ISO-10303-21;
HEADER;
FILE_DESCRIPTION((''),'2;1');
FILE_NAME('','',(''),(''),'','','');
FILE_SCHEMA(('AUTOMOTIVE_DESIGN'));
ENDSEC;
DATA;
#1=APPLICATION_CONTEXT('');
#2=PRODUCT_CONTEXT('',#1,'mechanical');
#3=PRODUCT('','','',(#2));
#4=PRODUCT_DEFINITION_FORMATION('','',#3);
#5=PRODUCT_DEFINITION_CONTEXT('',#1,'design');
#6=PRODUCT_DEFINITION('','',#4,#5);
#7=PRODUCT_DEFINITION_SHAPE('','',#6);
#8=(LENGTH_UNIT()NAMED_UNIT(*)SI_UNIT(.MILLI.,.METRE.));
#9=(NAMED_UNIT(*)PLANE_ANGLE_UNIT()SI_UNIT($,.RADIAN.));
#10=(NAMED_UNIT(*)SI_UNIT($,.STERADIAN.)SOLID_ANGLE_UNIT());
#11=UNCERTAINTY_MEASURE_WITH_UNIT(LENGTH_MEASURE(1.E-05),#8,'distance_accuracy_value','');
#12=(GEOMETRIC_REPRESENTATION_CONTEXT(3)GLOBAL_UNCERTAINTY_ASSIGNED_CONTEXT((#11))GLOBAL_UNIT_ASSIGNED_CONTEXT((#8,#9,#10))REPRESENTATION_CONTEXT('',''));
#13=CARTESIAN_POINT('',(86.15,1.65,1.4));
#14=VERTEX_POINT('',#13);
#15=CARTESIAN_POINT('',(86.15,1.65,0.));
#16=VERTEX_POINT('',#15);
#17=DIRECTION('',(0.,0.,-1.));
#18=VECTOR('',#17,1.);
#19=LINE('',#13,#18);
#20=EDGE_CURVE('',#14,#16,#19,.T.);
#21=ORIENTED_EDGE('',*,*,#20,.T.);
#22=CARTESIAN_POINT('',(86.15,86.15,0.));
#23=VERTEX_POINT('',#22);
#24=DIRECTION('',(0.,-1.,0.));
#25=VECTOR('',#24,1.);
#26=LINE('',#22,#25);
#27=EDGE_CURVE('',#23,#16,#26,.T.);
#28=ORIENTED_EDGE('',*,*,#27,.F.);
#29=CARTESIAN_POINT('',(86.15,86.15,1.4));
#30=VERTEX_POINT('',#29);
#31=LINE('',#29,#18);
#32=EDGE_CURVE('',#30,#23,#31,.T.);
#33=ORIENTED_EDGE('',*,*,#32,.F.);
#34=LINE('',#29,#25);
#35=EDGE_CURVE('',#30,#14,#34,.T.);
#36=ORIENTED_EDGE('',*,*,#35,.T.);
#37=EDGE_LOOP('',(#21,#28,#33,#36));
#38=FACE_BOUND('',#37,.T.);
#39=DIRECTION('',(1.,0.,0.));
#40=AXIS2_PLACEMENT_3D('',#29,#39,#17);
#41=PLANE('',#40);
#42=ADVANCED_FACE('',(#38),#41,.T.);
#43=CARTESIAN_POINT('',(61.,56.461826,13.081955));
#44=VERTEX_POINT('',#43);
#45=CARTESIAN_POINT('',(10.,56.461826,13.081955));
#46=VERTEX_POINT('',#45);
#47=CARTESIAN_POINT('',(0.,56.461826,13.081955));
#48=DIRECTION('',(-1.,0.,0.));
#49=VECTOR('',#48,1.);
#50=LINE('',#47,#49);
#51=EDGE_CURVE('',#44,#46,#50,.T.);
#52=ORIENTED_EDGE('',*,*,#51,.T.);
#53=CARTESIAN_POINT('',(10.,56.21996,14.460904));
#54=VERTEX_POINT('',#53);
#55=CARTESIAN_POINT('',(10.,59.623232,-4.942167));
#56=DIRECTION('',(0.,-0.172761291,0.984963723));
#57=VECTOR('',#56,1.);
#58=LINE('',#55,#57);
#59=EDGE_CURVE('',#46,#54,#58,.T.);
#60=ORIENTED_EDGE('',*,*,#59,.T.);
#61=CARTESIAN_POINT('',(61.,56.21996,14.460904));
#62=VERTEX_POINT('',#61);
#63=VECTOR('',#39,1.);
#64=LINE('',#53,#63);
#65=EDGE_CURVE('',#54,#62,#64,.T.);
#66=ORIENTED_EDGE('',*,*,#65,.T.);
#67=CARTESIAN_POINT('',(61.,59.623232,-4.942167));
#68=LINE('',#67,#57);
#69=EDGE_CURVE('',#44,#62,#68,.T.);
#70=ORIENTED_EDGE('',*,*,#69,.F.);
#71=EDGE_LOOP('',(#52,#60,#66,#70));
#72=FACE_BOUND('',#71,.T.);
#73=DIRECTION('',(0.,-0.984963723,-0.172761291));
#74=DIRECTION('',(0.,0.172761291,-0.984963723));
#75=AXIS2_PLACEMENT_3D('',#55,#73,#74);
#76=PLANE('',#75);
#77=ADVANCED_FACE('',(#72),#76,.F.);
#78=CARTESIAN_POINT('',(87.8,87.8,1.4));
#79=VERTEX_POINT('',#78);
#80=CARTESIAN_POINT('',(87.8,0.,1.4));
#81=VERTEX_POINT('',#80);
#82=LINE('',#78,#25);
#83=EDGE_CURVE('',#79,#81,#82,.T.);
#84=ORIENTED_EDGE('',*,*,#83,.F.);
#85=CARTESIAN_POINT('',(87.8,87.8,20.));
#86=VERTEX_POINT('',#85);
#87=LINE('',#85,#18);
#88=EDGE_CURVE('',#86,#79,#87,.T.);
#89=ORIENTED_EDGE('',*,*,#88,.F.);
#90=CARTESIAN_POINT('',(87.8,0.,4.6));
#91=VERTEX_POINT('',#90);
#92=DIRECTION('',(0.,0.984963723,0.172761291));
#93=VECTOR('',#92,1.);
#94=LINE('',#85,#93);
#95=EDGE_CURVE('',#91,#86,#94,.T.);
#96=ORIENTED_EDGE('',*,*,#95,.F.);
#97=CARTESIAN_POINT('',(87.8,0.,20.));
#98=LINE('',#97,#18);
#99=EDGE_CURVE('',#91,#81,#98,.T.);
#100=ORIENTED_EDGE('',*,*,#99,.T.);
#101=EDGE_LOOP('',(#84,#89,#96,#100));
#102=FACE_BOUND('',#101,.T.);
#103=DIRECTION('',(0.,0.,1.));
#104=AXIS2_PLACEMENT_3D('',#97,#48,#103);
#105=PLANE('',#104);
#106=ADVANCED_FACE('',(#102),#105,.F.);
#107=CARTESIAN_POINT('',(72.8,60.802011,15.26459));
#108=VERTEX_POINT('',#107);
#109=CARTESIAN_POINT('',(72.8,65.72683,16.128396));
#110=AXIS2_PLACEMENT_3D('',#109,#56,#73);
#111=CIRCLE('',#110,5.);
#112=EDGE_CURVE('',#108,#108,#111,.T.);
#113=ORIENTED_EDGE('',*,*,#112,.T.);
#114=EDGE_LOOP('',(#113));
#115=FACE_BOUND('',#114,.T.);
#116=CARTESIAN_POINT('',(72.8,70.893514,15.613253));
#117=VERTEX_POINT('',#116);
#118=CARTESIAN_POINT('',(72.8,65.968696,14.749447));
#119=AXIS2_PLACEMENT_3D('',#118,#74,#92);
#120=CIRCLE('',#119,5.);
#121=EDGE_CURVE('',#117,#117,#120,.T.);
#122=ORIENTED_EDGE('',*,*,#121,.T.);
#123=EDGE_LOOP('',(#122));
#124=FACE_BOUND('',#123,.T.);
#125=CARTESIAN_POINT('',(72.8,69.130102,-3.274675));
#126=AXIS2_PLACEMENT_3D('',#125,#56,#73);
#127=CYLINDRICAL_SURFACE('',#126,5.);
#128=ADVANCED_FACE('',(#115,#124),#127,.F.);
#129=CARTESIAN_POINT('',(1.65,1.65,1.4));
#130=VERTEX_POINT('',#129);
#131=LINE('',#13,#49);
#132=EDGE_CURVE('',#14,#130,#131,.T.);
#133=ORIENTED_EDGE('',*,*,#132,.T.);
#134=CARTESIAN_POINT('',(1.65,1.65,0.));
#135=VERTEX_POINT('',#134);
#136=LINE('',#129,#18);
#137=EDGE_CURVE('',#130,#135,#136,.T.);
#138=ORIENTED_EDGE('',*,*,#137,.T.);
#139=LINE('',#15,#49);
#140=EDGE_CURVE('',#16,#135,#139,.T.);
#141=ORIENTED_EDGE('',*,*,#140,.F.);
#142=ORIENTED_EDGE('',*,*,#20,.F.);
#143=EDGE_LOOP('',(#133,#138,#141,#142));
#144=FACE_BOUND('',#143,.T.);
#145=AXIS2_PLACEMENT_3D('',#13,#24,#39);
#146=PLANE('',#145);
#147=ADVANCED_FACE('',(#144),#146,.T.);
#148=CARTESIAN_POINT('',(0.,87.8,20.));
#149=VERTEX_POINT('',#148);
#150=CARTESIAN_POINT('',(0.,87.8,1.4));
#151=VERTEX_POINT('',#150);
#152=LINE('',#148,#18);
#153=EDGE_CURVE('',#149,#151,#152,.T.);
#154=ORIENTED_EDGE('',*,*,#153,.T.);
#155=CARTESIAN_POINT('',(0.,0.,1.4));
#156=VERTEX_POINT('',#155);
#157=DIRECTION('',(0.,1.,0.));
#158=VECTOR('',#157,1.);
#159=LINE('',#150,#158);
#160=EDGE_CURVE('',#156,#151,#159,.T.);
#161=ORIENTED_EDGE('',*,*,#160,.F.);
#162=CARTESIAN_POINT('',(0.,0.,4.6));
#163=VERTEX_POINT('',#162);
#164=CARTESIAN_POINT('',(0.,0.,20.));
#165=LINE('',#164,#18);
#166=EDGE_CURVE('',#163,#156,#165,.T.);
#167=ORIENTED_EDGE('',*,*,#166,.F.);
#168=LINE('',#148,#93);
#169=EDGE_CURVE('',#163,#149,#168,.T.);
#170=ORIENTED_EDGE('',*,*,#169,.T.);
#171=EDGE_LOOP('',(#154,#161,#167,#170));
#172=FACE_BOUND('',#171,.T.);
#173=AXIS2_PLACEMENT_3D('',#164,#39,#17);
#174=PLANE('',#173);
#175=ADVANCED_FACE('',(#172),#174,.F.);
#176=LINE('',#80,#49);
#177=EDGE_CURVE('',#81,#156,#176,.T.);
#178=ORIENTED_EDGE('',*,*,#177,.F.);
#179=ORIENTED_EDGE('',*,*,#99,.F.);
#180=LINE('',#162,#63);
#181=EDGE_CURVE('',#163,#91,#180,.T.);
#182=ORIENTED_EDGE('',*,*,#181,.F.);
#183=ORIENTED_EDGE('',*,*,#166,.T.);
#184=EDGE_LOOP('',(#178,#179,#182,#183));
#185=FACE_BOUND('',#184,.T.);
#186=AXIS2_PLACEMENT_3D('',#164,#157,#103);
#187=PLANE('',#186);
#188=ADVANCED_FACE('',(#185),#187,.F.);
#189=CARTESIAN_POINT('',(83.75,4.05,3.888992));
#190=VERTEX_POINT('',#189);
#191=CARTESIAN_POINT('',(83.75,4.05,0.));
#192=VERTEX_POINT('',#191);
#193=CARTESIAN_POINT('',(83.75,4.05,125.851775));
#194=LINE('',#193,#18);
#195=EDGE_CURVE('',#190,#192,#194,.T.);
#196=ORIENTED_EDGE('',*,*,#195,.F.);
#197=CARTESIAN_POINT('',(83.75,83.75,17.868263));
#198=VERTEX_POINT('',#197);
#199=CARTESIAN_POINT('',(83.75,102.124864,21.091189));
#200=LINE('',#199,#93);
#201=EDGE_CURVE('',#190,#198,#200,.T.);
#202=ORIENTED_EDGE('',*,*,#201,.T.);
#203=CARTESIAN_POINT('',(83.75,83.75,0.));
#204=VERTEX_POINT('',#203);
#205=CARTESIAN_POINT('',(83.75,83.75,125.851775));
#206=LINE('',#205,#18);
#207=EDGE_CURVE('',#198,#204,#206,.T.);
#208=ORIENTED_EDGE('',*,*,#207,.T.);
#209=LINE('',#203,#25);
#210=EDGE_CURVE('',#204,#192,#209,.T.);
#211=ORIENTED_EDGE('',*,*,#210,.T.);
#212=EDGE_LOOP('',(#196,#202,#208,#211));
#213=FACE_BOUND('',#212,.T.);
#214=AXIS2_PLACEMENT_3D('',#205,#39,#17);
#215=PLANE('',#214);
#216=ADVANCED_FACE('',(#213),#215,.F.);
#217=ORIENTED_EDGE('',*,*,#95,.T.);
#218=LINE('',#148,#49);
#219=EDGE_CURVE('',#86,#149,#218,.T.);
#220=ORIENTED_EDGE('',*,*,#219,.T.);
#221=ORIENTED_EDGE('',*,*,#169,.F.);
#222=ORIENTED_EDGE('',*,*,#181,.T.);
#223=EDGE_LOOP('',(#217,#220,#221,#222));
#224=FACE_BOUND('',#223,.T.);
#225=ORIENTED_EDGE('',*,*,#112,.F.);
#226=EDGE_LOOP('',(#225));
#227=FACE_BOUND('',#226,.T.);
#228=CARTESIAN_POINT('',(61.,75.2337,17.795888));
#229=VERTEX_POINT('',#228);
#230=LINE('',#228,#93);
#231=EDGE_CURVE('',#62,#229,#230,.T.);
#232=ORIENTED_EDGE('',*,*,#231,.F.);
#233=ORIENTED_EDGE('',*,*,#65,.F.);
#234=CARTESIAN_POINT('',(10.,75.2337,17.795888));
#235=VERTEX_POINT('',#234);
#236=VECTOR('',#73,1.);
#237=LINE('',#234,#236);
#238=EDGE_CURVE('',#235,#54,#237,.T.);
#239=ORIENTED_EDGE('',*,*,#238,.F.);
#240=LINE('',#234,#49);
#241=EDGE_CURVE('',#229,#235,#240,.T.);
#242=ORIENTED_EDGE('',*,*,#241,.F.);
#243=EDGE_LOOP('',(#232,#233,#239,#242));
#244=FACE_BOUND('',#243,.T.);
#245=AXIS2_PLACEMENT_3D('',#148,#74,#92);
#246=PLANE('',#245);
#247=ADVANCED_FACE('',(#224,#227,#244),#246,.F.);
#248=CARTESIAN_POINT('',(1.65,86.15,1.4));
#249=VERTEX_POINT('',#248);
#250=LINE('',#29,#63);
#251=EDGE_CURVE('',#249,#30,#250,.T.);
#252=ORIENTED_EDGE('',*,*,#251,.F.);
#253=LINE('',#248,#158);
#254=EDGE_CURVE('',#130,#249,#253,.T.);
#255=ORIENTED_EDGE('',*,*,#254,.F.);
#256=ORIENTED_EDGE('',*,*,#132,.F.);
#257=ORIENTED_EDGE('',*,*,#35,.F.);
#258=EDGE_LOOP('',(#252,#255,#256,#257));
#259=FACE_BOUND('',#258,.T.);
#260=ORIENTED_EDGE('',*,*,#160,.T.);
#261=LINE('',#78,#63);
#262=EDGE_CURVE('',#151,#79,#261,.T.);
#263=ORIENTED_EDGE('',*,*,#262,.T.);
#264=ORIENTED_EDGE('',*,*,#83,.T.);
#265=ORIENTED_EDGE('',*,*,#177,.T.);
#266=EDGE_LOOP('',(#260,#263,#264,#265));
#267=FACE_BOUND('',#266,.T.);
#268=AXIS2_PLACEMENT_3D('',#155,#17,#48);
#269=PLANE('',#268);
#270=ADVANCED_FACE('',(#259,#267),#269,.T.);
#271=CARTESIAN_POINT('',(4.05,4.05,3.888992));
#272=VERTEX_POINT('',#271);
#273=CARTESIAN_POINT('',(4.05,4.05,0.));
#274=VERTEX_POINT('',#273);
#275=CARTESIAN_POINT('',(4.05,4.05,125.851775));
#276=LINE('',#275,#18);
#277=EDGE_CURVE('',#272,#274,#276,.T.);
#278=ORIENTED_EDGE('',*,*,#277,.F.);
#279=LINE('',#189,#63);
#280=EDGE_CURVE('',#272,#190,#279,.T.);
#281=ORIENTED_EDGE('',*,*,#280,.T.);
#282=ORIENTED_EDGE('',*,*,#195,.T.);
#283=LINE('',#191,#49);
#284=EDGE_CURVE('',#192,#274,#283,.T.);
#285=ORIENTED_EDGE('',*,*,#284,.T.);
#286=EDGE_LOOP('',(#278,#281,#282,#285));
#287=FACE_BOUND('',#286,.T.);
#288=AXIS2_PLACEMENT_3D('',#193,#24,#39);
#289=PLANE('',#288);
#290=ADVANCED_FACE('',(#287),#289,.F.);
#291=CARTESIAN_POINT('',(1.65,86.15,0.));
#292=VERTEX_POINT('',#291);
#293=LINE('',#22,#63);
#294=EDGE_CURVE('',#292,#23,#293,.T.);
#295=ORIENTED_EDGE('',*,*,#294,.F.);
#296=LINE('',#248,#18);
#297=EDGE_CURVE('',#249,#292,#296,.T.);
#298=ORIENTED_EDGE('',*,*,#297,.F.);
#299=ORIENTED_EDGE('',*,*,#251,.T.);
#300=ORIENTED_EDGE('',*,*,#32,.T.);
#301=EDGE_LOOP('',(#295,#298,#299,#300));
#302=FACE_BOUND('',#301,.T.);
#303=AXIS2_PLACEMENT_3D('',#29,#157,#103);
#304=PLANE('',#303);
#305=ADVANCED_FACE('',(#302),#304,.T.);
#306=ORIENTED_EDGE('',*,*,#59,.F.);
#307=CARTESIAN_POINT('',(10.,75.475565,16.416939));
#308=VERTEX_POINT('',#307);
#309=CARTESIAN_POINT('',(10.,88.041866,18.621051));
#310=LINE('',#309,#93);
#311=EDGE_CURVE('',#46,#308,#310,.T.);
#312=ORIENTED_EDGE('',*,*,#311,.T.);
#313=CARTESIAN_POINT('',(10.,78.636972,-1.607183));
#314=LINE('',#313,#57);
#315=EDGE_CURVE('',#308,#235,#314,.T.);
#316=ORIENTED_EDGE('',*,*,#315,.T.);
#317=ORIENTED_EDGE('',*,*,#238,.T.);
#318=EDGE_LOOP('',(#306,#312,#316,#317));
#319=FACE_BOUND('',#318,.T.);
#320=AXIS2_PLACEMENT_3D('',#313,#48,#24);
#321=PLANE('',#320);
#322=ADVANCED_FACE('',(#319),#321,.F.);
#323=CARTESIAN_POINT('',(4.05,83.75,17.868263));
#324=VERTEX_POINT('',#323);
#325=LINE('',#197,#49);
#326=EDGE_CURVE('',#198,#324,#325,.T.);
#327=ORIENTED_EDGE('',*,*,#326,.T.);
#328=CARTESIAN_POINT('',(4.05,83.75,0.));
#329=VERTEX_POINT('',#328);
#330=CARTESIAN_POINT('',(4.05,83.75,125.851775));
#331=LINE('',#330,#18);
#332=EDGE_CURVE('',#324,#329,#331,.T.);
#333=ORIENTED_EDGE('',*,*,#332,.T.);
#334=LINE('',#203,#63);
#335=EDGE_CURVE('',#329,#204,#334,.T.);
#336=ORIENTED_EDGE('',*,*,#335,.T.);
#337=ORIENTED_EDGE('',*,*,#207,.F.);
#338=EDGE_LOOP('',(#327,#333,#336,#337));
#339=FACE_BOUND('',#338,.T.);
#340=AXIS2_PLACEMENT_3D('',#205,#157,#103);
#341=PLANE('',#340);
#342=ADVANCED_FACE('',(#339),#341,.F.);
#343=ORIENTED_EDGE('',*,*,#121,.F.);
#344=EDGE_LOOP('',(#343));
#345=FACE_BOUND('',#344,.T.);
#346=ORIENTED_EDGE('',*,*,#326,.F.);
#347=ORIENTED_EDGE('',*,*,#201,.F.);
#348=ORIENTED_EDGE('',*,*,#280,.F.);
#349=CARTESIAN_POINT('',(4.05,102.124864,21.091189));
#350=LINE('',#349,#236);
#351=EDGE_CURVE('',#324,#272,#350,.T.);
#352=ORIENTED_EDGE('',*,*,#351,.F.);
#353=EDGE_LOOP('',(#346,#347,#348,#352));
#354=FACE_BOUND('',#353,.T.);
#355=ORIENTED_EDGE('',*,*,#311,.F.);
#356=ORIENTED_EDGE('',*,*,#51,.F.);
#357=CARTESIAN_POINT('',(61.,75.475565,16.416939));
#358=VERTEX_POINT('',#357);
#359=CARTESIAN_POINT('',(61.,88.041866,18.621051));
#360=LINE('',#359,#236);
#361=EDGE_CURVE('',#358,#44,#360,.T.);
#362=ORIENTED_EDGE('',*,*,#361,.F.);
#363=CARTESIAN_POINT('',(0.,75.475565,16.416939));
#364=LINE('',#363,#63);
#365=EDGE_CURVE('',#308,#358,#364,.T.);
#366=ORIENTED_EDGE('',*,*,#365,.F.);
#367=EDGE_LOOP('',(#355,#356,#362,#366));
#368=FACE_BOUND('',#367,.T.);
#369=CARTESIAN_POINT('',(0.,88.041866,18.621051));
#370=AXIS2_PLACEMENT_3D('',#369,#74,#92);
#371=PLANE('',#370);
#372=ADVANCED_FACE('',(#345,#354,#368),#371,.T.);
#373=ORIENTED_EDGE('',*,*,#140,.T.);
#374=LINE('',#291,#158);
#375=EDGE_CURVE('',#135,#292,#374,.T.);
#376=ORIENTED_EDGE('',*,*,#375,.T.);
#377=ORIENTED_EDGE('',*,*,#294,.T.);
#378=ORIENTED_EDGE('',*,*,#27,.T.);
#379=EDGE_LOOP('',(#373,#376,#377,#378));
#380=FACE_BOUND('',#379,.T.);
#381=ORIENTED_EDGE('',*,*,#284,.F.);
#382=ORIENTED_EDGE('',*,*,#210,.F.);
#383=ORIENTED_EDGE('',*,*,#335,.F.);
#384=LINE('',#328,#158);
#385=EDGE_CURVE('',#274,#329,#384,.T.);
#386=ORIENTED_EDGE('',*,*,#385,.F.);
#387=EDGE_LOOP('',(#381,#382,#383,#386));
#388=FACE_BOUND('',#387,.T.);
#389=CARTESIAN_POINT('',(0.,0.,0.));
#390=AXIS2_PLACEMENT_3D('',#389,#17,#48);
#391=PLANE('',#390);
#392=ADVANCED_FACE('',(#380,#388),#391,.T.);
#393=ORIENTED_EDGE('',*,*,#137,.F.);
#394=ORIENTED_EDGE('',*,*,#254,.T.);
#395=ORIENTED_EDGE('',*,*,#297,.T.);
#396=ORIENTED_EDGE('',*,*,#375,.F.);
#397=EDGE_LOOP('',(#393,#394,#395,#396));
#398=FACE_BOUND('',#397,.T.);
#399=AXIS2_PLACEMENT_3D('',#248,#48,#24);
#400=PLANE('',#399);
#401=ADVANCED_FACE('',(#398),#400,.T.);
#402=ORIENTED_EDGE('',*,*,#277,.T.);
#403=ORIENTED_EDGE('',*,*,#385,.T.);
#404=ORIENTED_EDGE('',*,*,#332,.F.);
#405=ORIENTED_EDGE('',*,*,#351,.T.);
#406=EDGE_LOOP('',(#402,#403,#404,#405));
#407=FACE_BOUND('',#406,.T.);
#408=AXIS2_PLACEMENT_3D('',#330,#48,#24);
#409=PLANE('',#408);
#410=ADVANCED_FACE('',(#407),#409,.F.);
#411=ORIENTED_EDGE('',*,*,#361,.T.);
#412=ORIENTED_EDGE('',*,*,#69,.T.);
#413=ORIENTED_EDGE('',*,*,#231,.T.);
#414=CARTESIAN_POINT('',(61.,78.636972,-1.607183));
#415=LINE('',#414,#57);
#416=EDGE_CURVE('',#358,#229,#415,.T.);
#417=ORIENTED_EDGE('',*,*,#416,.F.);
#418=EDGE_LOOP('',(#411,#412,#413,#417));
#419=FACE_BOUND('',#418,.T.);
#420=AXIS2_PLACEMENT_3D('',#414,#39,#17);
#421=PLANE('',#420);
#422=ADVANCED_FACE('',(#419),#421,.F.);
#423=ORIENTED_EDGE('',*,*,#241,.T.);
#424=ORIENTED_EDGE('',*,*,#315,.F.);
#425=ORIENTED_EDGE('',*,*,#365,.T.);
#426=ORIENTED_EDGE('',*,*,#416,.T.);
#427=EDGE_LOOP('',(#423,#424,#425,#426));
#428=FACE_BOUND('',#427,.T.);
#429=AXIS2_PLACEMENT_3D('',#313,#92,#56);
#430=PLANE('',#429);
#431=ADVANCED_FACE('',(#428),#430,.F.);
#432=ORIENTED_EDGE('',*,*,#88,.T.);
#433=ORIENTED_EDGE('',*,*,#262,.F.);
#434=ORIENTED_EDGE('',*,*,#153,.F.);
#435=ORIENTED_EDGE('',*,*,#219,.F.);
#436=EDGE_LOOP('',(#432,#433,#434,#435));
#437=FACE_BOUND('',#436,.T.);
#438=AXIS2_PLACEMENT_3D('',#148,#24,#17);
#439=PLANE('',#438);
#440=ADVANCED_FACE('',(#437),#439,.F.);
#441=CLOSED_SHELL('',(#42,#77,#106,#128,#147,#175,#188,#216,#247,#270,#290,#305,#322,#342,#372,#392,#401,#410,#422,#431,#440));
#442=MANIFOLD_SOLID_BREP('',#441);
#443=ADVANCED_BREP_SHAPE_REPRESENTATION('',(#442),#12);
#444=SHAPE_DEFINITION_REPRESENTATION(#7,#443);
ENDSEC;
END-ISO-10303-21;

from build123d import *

# Parameters (mm, degrees)
SKETCH1_W           = 87.8
SKETCH1_H           = 87.8
BOSS_EXTRUDE1_DEPTH = 20
SKETCH2_W           = 87.8
SKETCH2_H           = 87.8
SKETCH2_W_2         = 84.5
SKETCH2_H_2         = 84.5
CUT_EXTRUDE1_DEPTH  = 1.4
CUT_EXTRUDE2_DEPTH  = 126.768358501
CUT_EXTRUDE3_REACH  = 127.768
SKETCH4_W           = 79.7
SKETCH4_H           = 79.7
SKETCH5_R           = 5
SKETCH5_W           = 51
SKETCH5_H           = 19.304
CUT_EXTRUDE4_DEPTH  = 126.686719868


with BuildPart() as part:
    # Sketch1 → Boss-Extrude1 (new body)
    with BuildSketch(Plane.XY):
        with Locations((43.9, 43.9)):
            Rectangle(SKETCH1_W, SKETCH1_H)
    extrude(amount=BOSS_EXTRUDE1_DEPTH)

    # Sketch2 → Cut-Extrude1 (cut)
    with BuildSketch(Plane(origin=(0, 0, 0), x_dir=(-1, 0, 0), z_dir=(0, 0, -1))):
        with Locations((-43.9, 43.9)):
            Rectangle(SKETCH2_W, SKETCH2_H)
        with Locations((-43.9, 43.9)):
            Rectangle(SKETCH2_W_2, SKETCH2_H_2, mode=Mode.SUBTRACT)
    extrude(amount=-CUT_EXTRUDE1_DEPTH, mode=Mode.SUBTRACT)

    # Sketch3 → Cut-Extrude2 (cut, through all)
    with BuildSketch(Plane(origin=(87.8, 0, 0), x_dir=(0, 0, -1), z_dir=(1, 0, 0))):
        Polygon((-20, 87.8), (-4.6, 0), (-20, 0), align=None)
    extrude(amount=-CUT_EXTRUDE2_DEPTH, mode=Mode.SUBTRACT)

    # Cut-Extrude3: up to this plane
    cut_extrude3_end = Plane(origin=(0, 88.041865807, 18.621050787), z_dir=(0, 0.17276129088861056, -0.9849637233779227))
    # Sketch4 → Cut-Extrude3 (cut, up to the surface)
    with BuildSketch(Plane(origin=(0, 0, 0), x_dir=(-1, 0, 0), z_dir=(0, 0, -1)), mode=Mode.PRIVATE) as cut_extrude3_sk1:
        with Locations((-43.9, 43.9)):
            Rectangle(SKETCH4_W, SKETCH4_H)
    cut_extrude3_tool1 = split(extrude(cut_extrude3_sk1.sketch, amount=-CUT_EXTRUDE3_REACH, mode=Mode.PRIVATE), bisect_by=cut_extrude3_end, keep=Keep.BOTH, mode=Mode.PRIVATE)
    add(cut_extrude3_tool1.solids().sort_by_distance((43.9, 43.9, 0))[0], mode=Mode.SUBTRACT)

    # Sketch5 → Cut-Extrude4 (cut, through all)
    with BuildSketch(Plane(origin=(0, -0.78275258, 4.462706267), x_dir=(1, 0, 0), z_dir=(0, -0.1727612908886106, 0.9849637233779227))):
        with Locations(Location((72.8, 67.524905437, 0), (0, 0, 270))):
            Circle(SKETCH5_R)
        with Locations((35.5, 67.524905437)):
            Rectangle(SKETCH5_W, SKETCH5_H)
    extrude(amount=-CUT_EXTRUDE4_DEPTH, mode=Mode.SUBTRACT)


solid = part.part
